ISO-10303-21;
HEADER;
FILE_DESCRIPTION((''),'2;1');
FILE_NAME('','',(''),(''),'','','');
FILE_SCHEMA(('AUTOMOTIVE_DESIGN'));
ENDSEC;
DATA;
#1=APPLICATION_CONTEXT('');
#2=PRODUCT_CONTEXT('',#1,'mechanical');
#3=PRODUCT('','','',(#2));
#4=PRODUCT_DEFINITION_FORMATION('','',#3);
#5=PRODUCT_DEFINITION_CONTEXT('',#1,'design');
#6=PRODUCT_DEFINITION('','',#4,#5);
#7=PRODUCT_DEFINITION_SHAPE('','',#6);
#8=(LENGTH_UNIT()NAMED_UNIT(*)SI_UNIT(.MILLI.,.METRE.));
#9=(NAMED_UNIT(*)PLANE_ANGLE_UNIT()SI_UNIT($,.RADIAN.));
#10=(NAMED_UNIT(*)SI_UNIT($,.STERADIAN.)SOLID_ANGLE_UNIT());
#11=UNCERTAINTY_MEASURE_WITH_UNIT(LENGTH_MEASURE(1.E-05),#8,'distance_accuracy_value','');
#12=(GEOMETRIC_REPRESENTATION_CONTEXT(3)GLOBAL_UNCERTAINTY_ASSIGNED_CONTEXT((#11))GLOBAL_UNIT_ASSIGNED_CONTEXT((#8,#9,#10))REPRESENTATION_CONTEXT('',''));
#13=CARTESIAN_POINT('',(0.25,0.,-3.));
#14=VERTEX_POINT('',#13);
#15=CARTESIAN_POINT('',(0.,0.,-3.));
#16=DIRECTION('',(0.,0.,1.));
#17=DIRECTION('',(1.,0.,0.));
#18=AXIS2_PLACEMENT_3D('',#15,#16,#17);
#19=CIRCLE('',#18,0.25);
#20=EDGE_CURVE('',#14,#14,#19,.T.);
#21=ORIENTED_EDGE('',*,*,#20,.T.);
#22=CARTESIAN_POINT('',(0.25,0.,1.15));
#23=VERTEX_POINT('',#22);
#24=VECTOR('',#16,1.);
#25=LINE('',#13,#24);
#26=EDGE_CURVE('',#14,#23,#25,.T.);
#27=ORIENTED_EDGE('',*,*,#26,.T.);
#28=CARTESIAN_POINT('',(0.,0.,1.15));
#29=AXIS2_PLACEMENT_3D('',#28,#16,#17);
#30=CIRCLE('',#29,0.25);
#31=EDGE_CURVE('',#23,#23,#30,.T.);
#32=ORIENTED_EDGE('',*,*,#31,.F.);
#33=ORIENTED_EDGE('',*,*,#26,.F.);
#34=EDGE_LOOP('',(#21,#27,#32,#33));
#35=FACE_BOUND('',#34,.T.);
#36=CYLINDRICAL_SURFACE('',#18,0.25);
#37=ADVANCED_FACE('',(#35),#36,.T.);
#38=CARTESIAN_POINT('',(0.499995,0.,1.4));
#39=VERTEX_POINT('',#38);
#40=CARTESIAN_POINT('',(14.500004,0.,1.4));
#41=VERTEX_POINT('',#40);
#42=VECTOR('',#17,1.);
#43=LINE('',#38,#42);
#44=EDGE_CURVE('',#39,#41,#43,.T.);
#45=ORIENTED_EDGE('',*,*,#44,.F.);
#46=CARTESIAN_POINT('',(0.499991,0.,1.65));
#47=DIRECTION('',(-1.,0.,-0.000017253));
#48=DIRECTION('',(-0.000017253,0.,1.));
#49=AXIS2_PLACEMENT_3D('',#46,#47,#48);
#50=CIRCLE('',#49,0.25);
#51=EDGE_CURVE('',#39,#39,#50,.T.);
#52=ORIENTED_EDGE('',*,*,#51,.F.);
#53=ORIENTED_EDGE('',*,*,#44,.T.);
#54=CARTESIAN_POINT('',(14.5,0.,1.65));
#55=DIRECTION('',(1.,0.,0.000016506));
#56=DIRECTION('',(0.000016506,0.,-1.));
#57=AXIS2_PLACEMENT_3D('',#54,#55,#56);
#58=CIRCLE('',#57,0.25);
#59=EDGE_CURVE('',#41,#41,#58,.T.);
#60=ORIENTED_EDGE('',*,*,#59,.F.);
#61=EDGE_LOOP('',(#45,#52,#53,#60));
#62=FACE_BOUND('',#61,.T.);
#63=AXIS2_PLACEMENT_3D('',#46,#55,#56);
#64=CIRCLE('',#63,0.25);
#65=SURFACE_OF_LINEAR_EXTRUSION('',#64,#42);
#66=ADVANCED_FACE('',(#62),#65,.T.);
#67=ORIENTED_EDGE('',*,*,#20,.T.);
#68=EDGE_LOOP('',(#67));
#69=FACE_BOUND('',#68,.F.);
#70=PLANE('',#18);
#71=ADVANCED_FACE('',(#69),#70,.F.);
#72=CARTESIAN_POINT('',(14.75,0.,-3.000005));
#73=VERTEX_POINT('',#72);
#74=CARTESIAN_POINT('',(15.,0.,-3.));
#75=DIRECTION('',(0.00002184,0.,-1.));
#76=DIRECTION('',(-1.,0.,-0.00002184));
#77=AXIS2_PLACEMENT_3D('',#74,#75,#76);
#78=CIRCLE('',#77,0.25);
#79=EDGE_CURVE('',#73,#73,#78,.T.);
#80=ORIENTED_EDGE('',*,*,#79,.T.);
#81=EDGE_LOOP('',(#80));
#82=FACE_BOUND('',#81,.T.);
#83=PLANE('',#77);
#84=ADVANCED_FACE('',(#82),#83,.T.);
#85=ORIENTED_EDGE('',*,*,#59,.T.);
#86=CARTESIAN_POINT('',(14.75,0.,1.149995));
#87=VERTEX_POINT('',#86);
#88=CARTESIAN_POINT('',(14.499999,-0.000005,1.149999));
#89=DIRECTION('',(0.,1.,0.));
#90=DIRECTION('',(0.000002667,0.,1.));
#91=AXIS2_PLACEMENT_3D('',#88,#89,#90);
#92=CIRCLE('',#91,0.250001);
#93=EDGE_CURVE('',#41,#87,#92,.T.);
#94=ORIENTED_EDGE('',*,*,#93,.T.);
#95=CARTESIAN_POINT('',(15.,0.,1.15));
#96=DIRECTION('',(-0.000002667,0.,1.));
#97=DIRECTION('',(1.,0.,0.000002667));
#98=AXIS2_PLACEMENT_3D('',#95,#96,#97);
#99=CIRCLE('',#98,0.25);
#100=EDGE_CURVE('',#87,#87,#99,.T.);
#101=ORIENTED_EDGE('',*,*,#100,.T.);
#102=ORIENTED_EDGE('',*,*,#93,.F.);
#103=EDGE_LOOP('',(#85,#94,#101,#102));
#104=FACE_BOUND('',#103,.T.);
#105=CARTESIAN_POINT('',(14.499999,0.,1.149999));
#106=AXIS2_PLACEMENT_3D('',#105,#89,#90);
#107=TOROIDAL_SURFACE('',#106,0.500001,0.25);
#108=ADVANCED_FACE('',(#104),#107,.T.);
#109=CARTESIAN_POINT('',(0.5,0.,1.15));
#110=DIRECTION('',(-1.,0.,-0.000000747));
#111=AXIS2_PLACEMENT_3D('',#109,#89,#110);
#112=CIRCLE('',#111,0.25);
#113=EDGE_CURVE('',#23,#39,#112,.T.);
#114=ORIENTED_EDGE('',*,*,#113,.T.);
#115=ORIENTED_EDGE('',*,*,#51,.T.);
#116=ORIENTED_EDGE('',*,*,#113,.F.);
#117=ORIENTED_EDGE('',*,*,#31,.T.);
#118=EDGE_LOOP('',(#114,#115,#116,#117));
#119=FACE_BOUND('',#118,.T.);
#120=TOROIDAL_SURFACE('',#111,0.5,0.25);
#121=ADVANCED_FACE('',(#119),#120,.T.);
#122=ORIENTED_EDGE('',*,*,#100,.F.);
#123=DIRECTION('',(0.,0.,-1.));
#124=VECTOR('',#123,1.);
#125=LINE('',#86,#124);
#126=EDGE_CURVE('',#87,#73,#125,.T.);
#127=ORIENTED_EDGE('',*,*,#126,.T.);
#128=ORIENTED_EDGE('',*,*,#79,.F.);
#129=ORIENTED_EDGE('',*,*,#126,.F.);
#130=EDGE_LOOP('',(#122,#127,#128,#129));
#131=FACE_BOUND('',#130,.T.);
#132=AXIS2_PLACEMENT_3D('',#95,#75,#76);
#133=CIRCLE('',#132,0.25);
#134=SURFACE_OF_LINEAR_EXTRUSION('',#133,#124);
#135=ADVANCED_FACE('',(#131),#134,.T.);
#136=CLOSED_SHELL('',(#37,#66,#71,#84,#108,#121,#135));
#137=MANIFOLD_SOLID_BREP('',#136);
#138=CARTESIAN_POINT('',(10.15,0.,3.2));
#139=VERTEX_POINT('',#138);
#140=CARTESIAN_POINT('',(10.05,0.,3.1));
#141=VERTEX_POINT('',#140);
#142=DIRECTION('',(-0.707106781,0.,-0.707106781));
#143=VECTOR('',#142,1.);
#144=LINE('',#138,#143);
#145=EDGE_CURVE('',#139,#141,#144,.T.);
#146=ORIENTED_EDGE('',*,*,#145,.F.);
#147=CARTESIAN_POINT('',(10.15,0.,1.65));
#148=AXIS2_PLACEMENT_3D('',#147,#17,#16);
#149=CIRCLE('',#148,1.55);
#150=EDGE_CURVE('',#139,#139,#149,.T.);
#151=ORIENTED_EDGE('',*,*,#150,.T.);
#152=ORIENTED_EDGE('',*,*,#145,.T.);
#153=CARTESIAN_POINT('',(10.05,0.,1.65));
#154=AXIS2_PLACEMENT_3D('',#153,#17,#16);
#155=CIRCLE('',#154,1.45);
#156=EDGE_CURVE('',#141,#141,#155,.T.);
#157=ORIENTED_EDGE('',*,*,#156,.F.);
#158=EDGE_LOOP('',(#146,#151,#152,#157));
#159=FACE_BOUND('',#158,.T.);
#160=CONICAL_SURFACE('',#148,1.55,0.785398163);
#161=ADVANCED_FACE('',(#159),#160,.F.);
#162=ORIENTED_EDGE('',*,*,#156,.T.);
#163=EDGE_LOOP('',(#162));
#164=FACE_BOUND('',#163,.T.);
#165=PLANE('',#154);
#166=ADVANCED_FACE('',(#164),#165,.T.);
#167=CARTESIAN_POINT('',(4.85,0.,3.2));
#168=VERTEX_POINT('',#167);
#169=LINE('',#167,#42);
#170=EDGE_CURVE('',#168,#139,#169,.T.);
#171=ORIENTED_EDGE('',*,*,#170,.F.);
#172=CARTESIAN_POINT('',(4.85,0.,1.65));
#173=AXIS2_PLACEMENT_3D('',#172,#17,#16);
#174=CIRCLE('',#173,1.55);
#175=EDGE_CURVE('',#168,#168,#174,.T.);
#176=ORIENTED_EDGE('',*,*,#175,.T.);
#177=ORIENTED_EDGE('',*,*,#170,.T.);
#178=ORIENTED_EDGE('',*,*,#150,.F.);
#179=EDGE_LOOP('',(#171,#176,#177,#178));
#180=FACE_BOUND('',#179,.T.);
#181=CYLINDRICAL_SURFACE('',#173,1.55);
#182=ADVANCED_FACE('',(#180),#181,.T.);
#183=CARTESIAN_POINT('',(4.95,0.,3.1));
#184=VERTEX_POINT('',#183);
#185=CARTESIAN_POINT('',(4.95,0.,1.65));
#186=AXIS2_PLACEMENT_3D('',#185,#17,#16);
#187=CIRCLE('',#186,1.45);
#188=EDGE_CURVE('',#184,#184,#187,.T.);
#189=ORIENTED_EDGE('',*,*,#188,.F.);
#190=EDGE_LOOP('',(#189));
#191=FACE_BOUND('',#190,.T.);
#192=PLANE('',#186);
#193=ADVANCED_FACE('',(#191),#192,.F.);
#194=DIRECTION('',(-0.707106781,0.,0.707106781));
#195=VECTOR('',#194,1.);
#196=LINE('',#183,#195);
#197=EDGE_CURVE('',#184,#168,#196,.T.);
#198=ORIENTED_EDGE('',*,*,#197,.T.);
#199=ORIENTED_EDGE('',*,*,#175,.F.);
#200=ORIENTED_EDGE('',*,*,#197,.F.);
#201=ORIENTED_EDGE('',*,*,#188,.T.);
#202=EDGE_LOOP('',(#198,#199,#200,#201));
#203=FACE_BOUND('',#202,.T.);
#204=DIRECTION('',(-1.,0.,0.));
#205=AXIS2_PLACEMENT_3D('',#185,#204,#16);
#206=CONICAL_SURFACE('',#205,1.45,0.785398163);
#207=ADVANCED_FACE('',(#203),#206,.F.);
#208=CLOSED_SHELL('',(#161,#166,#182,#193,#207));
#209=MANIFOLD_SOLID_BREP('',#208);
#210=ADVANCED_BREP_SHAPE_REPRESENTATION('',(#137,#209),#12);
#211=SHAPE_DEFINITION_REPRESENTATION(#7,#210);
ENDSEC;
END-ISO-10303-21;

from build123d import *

# Parameters (mm, degrees)
SKETCH_R = 0.25


with BuildPart() as sweep_body:
    # Sweep: sweep along a path in Sketch001
    with BuildLine(Plane.XZ) as sweep_path:
        Line((0, -3), (0, 1.15))
        ThreePointArc((0, 1.15), (0.146443, 1.50355), (0.499991, 1.65))
        Line((0.499991, 1.65), (14.5, 1.65))
        ThreePointArc((14.5, 1.65), (14.853553, 1.503553), (15, 1.15))
        Line((15, 1.15), (15, -3))
    # Sketch → Sweep (sweep)
    with BuildSketch(Plane.XY.offset(-2)):
        Circle(SKETCH_R)
    sweep(path=sweep_path.line)


with BuildPart() as revolution:
    # Sketch002 → Revolution (revolve)
    with BuildSketch(Plane.XZ):
        Polygon((4.85, 3.2), (10.15, 3.2), (10.05, 3.1), (10.05, 1.65), (4.95, 1.65), (4.95, 3.1), align=None)
    revolve(axis=Axis((7.611803, 0, 1.65), (1, 0, 0)))


solid = Compound([sweep_body.part, revolution.part])
